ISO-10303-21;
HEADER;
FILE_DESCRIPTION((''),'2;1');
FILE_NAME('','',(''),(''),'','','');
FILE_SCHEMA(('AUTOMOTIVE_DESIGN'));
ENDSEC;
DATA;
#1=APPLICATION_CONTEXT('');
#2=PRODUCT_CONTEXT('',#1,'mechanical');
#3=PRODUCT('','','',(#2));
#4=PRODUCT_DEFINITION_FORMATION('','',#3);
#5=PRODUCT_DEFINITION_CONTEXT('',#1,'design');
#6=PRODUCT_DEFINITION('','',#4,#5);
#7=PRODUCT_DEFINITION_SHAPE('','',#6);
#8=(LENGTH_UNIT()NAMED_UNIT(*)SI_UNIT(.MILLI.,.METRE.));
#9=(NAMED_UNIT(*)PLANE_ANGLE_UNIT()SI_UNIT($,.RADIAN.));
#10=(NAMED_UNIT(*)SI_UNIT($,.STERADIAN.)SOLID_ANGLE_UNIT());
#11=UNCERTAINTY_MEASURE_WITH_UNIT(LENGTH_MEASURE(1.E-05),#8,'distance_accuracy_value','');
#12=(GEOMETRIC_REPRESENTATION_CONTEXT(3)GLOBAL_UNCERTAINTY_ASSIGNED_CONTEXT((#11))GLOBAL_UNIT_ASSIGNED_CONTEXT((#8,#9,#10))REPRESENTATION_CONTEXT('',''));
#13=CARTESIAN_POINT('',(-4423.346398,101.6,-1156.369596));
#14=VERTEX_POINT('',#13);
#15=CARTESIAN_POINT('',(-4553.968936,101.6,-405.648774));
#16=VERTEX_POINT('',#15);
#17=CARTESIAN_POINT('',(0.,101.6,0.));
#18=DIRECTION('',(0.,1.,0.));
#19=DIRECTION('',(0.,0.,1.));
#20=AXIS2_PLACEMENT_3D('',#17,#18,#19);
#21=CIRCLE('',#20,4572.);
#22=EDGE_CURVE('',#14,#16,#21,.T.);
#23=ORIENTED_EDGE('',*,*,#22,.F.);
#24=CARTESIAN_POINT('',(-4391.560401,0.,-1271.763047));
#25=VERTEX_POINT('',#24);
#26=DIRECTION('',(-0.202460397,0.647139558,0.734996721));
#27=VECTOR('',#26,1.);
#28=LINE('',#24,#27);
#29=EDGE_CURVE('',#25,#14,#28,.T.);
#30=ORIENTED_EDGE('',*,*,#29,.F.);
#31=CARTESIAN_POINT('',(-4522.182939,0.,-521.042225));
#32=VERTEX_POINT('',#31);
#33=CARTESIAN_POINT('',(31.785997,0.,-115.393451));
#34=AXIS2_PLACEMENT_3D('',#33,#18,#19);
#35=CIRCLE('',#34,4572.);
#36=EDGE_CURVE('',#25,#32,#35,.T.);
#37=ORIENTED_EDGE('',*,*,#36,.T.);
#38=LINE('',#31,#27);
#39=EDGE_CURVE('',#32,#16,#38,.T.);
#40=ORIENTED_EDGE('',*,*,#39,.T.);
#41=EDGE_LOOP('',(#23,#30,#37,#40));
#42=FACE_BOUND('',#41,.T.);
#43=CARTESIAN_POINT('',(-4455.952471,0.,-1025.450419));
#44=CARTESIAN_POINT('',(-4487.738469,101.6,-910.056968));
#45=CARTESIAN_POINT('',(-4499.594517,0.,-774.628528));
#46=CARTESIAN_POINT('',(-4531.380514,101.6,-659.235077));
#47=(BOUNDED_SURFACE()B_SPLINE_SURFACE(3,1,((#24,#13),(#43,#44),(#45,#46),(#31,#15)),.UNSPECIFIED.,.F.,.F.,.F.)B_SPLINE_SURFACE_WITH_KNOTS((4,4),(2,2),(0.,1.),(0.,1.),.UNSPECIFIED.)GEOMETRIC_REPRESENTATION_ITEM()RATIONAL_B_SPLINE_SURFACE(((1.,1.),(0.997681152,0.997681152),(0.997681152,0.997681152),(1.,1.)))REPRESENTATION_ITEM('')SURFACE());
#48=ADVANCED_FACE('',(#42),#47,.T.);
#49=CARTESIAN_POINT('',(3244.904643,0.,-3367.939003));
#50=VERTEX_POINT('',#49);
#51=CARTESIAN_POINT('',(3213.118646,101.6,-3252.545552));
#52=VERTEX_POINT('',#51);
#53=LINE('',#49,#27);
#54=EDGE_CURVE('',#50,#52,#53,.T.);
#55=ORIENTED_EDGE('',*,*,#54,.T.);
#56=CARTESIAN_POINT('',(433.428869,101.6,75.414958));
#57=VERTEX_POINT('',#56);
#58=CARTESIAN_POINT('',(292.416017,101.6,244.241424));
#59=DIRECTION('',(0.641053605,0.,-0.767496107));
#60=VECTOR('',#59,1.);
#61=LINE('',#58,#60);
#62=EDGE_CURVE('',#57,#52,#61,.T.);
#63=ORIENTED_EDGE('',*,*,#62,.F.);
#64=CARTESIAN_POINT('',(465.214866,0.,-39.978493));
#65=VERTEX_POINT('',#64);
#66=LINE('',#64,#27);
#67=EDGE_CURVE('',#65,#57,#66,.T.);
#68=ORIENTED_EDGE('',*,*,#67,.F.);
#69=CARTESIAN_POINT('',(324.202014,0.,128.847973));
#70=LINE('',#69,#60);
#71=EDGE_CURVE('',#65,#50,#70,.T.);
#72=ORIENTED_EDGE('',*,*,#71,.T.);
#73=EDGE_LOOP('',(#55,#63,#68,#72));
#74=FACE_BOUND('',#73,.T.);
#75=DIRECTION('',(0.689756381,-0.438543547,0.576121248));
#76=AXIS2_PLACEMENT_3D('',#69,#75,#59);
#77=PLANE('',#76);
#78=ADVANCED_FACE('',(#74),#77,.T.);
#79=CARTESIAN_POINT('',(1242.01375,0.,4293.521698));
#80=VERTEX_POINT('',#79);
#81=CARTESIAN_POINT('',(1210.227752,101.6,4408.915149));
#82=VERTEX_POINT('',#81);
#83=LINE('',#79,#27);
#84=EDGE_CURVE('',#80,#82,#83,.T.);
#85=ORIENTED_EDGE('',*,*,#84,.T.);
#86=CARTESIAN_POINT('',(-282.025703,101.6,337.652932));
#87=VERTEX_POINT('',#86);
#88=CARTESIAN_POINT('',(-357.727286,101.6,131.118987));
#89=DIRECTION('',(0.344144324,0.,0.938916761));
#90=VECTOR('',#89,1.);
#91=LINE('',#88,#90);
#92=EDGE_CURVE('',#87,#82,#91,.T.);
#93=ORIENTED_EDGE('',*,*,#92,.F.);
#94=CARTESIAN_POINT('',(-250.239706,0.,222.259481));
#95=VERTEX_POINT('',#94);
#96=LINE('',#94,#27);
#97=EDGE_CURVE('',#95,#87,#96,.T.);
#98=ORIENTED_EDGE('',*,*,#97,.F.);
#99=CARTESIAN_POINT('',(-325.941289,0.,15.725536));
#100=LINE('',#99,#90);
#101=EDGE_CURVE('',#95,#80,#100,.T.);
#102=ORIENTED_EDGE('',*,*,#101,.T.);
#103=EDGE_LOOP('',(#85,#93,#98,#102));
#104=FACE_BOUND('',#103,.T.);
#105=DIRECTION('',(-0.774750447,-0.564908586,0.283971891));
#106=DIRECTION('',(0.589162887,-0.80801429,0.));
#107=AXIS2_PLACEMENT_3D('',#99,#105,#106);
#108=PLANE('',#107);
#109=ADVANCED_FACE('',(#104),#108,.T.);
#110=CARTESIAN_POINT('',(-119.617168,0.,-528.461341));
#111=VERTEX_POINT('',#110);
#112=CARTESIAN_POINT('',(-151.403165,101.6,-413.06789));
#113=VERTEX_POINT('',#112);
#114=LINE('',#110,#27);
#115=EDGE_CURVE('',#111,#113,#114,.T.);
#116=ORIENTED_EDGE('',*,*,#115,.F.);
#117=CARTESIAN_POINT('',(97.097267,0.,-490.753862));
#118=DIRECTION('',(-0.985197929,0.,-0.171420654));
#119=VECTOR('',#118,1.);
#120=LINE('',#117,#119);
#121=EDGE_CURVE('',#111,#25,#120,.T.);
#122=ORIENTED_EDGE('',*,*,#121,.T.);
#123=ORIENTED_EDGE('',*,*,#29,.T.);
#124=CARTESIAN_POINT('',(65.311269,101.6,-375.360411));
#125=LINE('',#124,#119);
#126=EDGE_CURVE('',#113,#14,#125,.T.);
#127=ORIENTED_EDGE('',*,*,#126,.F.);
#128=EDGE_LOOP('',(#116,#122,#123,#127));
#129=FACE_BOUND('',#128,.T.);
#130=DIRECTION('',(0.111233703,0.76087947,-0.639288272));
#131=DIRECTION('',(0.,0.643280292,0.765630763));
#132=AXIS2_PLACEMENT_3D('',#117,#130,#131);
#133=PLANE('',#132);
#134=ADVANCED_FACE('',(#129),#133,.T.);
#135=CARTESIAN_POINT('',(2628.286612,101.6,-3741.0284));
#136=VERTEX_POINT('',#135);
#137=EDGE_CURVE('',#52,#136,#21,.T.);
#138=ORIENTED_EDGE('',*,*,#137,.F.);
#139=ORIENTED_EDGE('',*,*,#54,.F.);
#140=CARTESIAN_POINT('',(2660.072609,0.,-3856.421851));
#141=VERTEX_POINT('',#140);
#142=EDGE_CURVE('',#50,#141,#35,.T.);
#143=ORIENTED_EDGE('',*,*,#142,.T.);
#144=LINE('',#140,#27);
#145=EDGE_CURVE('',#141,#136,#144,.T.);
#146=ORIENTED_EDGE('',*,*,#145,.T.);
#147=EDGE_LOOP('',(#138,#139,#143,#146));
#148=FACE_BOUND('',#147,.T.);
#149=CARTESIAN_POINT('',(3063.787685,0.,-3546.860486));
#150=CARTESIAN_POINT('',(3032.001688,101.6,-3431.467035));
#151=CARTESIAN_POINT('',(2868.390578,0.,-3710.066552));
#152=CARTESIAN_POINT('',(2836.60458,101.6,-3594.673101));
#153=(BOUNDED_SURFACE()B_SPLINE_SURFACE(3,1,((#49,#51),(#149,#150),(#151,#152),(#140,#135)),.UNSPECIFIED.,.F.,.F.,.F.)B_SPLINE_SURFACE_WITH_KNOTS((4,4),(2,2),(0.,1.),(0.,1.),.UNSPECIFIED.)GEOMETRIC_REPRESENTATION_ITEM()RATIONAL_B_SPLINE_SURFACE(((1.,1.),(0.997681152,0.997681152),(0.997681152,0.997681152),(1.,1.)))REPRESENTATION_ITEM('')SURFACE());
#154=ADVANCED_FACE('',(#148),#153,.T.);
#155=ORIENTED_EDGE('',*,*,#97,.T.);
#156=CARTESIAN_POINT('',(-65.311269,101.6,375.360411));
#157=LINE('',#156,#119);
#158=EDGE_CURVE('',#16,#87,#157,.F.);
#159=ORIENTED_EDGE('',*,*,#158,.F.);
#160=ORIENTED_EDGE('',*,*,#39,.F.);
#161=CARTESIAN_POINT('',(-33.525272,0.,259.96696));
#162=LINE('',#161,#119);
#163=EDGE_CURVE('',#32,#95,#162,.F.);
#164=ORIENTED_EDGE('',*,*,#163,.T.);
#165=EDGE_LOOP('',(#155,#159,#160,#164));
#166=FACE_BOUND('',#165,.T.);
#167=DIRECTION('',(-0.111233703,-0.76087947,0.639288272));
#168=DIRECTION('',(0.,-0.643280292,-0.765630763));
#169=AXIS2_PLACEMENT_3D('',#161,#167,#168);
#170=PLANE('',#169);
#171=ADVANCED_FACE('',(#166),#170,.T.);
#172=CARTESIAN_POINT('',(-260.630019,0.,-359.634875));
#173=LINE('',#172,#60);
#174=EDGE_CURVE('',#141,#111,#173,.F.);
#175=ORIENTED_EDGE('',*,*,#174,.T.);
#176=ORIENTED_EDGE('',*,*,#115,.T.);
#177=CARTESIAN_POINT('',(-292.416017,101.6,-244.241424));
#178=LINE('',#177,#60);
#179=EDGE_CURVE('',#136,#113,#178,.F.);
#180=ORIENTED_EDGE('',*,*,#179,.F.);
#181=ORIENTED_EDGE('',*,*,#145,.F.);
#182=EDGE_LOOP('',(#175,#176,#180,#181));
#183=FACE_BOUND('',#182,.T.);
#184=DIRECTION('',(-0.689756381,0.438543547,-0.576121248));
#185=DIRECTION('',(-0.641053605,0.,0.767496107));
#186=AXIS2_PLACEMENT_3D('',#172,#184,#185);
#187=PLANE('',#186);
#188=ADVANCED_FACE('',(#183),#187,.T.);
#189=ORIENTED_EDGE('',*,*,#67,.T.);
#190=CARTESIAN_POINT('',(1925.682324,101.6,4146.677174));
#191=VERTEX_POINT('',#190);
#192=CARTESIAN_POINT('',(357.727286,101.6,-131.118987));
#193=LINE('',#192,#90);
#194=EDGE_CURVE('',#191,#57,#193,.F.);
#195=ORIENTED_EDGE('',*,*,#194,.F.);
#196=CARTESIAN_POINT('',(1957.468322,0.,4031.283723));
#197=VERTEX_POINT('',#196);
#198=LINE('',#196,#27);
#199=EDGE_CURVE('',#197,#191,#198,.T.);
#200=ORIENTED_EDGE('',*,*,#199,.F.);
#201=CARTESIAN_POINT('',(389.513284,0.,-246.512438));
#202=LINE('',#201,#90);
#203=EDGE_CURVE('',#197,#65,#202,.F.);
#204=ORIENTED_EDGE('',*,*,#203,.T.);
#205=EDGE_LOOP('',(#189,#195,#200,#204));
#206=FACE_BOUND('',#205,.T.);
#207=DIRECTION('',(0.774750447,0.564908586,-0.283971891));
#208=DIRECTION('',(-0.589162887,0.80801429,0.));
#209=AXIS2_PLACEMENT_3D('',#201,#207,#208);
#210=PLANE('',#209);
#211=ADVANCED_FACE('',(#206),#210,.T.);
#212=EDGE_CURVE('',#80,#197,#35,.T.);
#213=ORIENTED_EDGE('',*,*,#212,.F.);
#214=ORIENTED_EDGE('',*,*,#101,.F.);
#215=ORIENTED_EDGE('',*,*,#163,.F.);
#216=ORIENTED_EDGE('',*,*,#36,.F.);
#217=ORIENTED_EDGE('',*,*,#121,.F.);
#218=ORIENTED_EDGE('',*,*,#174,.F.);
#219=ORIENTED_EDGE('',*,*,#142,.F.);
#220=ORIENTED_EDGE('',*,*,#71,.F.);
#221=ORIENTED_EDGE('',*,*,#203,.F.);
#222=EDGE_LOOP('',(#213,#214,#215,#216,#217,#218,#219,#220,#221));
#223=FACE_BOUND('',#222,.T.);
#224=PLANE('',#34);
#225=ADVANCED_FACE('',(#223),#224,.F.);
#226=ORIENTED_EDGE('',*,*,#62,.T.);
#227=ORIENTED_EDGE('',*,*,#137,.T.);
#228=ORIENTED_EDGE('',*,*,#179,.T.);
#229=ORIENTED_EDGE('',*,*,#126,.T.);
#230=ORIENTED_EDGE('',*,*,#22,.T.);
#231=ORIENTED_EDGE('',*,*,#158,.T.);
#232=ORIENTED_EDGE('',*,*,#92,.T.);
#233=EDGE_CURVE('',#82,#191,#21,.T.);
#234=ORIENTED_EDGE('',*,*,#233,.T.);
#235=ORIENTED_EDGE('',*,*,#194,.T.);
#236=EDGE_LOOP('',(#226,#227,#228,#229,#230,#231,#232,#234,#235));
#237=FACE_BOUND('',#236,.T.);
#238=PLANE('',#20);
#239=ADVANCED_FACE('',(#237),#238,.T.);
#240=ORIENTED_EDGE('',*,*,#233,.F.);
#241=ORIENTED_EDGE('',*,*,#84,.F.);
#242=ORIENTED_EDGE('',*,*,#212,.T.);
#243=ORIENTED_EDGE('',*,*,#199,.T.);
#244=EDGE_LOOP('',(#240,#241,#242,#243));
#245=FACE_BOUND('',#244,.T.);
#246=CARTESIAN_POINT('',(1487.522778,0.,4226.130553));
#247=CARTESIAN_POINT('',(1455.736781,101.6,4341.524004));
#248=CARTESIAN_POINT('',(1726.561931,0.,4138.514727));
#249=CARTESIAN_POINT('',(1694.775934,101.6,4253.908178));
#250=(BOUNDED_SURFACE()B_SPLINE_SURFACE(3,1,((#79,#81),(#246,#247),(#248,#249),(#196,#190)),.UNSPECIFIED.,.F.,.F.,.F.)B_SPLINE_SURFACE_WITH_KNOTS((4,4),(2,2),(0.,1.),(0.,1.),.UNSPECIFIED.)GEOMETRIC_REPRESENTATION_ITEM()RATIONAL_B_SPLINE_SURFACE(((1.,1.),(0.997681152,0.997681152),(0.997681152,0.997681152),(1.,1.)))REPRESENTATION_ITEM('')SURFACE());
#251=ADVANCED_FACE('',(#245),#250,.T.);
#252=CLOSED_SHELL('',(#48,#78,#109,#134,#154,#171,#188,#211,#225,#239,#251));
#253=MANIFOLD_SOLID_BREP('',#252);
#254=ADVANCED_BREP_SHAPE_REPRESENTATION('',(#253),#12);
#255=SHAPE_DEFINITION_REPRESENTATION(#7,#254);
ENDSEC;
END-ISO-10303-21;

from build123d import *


with BuildPart() as part:
    # Sweep8: sweep along a curve in space
    with BuildLine() as sweep8_path:
        Line((-4391.560400513, 0, -1271.763047368), (-4423.346397996, 101.6, -1156.369596338))
    # Sketch3 → Sweep8 (sweep)
    with BuildSketch(Plane(origin=(0, 101.6, 0), x_dir=(1, 0, 0), z_dir=(0, 1, 0))):
        with BuildLine():
            Line((-151.40316522, 413.067889773), (-4423.346397996, 1156.369596338))
            ThreePointArc((-4423.346397996, 1156.369596338), (-4504.324931719, 783.735229201), (-4553.968936196, 405.648774386))
            Line((-4553.968936196, 405.648774386), (-282.025703421, -337.652932181))
            Line((-282.025703421, -337.652932181), (1210.227752405, -4408.915148572))
            ThreePointArc((1210.227752405, -4408.915148572), (1573.427847531, -4292.72743237), (1925.682324466, -4146.677173984))
            Line((1925.682324466, -4146.677173984), (433.428868641, -75.414957593))
            Line((433.428868641, -75.414957593), (3213.118645591, 3252.545552233))
            ThreePointArc((3213.118645591, 3252.545552233), (2930.897084189, 3508.992203168), (2628.28661173, 3741.028399598))
            Line((2628.28661173, 3741.028399598), (-151.40316522, 413.067889773))
        make_face()
    sweep(path=sweep8_path.line)


solid = part.part
